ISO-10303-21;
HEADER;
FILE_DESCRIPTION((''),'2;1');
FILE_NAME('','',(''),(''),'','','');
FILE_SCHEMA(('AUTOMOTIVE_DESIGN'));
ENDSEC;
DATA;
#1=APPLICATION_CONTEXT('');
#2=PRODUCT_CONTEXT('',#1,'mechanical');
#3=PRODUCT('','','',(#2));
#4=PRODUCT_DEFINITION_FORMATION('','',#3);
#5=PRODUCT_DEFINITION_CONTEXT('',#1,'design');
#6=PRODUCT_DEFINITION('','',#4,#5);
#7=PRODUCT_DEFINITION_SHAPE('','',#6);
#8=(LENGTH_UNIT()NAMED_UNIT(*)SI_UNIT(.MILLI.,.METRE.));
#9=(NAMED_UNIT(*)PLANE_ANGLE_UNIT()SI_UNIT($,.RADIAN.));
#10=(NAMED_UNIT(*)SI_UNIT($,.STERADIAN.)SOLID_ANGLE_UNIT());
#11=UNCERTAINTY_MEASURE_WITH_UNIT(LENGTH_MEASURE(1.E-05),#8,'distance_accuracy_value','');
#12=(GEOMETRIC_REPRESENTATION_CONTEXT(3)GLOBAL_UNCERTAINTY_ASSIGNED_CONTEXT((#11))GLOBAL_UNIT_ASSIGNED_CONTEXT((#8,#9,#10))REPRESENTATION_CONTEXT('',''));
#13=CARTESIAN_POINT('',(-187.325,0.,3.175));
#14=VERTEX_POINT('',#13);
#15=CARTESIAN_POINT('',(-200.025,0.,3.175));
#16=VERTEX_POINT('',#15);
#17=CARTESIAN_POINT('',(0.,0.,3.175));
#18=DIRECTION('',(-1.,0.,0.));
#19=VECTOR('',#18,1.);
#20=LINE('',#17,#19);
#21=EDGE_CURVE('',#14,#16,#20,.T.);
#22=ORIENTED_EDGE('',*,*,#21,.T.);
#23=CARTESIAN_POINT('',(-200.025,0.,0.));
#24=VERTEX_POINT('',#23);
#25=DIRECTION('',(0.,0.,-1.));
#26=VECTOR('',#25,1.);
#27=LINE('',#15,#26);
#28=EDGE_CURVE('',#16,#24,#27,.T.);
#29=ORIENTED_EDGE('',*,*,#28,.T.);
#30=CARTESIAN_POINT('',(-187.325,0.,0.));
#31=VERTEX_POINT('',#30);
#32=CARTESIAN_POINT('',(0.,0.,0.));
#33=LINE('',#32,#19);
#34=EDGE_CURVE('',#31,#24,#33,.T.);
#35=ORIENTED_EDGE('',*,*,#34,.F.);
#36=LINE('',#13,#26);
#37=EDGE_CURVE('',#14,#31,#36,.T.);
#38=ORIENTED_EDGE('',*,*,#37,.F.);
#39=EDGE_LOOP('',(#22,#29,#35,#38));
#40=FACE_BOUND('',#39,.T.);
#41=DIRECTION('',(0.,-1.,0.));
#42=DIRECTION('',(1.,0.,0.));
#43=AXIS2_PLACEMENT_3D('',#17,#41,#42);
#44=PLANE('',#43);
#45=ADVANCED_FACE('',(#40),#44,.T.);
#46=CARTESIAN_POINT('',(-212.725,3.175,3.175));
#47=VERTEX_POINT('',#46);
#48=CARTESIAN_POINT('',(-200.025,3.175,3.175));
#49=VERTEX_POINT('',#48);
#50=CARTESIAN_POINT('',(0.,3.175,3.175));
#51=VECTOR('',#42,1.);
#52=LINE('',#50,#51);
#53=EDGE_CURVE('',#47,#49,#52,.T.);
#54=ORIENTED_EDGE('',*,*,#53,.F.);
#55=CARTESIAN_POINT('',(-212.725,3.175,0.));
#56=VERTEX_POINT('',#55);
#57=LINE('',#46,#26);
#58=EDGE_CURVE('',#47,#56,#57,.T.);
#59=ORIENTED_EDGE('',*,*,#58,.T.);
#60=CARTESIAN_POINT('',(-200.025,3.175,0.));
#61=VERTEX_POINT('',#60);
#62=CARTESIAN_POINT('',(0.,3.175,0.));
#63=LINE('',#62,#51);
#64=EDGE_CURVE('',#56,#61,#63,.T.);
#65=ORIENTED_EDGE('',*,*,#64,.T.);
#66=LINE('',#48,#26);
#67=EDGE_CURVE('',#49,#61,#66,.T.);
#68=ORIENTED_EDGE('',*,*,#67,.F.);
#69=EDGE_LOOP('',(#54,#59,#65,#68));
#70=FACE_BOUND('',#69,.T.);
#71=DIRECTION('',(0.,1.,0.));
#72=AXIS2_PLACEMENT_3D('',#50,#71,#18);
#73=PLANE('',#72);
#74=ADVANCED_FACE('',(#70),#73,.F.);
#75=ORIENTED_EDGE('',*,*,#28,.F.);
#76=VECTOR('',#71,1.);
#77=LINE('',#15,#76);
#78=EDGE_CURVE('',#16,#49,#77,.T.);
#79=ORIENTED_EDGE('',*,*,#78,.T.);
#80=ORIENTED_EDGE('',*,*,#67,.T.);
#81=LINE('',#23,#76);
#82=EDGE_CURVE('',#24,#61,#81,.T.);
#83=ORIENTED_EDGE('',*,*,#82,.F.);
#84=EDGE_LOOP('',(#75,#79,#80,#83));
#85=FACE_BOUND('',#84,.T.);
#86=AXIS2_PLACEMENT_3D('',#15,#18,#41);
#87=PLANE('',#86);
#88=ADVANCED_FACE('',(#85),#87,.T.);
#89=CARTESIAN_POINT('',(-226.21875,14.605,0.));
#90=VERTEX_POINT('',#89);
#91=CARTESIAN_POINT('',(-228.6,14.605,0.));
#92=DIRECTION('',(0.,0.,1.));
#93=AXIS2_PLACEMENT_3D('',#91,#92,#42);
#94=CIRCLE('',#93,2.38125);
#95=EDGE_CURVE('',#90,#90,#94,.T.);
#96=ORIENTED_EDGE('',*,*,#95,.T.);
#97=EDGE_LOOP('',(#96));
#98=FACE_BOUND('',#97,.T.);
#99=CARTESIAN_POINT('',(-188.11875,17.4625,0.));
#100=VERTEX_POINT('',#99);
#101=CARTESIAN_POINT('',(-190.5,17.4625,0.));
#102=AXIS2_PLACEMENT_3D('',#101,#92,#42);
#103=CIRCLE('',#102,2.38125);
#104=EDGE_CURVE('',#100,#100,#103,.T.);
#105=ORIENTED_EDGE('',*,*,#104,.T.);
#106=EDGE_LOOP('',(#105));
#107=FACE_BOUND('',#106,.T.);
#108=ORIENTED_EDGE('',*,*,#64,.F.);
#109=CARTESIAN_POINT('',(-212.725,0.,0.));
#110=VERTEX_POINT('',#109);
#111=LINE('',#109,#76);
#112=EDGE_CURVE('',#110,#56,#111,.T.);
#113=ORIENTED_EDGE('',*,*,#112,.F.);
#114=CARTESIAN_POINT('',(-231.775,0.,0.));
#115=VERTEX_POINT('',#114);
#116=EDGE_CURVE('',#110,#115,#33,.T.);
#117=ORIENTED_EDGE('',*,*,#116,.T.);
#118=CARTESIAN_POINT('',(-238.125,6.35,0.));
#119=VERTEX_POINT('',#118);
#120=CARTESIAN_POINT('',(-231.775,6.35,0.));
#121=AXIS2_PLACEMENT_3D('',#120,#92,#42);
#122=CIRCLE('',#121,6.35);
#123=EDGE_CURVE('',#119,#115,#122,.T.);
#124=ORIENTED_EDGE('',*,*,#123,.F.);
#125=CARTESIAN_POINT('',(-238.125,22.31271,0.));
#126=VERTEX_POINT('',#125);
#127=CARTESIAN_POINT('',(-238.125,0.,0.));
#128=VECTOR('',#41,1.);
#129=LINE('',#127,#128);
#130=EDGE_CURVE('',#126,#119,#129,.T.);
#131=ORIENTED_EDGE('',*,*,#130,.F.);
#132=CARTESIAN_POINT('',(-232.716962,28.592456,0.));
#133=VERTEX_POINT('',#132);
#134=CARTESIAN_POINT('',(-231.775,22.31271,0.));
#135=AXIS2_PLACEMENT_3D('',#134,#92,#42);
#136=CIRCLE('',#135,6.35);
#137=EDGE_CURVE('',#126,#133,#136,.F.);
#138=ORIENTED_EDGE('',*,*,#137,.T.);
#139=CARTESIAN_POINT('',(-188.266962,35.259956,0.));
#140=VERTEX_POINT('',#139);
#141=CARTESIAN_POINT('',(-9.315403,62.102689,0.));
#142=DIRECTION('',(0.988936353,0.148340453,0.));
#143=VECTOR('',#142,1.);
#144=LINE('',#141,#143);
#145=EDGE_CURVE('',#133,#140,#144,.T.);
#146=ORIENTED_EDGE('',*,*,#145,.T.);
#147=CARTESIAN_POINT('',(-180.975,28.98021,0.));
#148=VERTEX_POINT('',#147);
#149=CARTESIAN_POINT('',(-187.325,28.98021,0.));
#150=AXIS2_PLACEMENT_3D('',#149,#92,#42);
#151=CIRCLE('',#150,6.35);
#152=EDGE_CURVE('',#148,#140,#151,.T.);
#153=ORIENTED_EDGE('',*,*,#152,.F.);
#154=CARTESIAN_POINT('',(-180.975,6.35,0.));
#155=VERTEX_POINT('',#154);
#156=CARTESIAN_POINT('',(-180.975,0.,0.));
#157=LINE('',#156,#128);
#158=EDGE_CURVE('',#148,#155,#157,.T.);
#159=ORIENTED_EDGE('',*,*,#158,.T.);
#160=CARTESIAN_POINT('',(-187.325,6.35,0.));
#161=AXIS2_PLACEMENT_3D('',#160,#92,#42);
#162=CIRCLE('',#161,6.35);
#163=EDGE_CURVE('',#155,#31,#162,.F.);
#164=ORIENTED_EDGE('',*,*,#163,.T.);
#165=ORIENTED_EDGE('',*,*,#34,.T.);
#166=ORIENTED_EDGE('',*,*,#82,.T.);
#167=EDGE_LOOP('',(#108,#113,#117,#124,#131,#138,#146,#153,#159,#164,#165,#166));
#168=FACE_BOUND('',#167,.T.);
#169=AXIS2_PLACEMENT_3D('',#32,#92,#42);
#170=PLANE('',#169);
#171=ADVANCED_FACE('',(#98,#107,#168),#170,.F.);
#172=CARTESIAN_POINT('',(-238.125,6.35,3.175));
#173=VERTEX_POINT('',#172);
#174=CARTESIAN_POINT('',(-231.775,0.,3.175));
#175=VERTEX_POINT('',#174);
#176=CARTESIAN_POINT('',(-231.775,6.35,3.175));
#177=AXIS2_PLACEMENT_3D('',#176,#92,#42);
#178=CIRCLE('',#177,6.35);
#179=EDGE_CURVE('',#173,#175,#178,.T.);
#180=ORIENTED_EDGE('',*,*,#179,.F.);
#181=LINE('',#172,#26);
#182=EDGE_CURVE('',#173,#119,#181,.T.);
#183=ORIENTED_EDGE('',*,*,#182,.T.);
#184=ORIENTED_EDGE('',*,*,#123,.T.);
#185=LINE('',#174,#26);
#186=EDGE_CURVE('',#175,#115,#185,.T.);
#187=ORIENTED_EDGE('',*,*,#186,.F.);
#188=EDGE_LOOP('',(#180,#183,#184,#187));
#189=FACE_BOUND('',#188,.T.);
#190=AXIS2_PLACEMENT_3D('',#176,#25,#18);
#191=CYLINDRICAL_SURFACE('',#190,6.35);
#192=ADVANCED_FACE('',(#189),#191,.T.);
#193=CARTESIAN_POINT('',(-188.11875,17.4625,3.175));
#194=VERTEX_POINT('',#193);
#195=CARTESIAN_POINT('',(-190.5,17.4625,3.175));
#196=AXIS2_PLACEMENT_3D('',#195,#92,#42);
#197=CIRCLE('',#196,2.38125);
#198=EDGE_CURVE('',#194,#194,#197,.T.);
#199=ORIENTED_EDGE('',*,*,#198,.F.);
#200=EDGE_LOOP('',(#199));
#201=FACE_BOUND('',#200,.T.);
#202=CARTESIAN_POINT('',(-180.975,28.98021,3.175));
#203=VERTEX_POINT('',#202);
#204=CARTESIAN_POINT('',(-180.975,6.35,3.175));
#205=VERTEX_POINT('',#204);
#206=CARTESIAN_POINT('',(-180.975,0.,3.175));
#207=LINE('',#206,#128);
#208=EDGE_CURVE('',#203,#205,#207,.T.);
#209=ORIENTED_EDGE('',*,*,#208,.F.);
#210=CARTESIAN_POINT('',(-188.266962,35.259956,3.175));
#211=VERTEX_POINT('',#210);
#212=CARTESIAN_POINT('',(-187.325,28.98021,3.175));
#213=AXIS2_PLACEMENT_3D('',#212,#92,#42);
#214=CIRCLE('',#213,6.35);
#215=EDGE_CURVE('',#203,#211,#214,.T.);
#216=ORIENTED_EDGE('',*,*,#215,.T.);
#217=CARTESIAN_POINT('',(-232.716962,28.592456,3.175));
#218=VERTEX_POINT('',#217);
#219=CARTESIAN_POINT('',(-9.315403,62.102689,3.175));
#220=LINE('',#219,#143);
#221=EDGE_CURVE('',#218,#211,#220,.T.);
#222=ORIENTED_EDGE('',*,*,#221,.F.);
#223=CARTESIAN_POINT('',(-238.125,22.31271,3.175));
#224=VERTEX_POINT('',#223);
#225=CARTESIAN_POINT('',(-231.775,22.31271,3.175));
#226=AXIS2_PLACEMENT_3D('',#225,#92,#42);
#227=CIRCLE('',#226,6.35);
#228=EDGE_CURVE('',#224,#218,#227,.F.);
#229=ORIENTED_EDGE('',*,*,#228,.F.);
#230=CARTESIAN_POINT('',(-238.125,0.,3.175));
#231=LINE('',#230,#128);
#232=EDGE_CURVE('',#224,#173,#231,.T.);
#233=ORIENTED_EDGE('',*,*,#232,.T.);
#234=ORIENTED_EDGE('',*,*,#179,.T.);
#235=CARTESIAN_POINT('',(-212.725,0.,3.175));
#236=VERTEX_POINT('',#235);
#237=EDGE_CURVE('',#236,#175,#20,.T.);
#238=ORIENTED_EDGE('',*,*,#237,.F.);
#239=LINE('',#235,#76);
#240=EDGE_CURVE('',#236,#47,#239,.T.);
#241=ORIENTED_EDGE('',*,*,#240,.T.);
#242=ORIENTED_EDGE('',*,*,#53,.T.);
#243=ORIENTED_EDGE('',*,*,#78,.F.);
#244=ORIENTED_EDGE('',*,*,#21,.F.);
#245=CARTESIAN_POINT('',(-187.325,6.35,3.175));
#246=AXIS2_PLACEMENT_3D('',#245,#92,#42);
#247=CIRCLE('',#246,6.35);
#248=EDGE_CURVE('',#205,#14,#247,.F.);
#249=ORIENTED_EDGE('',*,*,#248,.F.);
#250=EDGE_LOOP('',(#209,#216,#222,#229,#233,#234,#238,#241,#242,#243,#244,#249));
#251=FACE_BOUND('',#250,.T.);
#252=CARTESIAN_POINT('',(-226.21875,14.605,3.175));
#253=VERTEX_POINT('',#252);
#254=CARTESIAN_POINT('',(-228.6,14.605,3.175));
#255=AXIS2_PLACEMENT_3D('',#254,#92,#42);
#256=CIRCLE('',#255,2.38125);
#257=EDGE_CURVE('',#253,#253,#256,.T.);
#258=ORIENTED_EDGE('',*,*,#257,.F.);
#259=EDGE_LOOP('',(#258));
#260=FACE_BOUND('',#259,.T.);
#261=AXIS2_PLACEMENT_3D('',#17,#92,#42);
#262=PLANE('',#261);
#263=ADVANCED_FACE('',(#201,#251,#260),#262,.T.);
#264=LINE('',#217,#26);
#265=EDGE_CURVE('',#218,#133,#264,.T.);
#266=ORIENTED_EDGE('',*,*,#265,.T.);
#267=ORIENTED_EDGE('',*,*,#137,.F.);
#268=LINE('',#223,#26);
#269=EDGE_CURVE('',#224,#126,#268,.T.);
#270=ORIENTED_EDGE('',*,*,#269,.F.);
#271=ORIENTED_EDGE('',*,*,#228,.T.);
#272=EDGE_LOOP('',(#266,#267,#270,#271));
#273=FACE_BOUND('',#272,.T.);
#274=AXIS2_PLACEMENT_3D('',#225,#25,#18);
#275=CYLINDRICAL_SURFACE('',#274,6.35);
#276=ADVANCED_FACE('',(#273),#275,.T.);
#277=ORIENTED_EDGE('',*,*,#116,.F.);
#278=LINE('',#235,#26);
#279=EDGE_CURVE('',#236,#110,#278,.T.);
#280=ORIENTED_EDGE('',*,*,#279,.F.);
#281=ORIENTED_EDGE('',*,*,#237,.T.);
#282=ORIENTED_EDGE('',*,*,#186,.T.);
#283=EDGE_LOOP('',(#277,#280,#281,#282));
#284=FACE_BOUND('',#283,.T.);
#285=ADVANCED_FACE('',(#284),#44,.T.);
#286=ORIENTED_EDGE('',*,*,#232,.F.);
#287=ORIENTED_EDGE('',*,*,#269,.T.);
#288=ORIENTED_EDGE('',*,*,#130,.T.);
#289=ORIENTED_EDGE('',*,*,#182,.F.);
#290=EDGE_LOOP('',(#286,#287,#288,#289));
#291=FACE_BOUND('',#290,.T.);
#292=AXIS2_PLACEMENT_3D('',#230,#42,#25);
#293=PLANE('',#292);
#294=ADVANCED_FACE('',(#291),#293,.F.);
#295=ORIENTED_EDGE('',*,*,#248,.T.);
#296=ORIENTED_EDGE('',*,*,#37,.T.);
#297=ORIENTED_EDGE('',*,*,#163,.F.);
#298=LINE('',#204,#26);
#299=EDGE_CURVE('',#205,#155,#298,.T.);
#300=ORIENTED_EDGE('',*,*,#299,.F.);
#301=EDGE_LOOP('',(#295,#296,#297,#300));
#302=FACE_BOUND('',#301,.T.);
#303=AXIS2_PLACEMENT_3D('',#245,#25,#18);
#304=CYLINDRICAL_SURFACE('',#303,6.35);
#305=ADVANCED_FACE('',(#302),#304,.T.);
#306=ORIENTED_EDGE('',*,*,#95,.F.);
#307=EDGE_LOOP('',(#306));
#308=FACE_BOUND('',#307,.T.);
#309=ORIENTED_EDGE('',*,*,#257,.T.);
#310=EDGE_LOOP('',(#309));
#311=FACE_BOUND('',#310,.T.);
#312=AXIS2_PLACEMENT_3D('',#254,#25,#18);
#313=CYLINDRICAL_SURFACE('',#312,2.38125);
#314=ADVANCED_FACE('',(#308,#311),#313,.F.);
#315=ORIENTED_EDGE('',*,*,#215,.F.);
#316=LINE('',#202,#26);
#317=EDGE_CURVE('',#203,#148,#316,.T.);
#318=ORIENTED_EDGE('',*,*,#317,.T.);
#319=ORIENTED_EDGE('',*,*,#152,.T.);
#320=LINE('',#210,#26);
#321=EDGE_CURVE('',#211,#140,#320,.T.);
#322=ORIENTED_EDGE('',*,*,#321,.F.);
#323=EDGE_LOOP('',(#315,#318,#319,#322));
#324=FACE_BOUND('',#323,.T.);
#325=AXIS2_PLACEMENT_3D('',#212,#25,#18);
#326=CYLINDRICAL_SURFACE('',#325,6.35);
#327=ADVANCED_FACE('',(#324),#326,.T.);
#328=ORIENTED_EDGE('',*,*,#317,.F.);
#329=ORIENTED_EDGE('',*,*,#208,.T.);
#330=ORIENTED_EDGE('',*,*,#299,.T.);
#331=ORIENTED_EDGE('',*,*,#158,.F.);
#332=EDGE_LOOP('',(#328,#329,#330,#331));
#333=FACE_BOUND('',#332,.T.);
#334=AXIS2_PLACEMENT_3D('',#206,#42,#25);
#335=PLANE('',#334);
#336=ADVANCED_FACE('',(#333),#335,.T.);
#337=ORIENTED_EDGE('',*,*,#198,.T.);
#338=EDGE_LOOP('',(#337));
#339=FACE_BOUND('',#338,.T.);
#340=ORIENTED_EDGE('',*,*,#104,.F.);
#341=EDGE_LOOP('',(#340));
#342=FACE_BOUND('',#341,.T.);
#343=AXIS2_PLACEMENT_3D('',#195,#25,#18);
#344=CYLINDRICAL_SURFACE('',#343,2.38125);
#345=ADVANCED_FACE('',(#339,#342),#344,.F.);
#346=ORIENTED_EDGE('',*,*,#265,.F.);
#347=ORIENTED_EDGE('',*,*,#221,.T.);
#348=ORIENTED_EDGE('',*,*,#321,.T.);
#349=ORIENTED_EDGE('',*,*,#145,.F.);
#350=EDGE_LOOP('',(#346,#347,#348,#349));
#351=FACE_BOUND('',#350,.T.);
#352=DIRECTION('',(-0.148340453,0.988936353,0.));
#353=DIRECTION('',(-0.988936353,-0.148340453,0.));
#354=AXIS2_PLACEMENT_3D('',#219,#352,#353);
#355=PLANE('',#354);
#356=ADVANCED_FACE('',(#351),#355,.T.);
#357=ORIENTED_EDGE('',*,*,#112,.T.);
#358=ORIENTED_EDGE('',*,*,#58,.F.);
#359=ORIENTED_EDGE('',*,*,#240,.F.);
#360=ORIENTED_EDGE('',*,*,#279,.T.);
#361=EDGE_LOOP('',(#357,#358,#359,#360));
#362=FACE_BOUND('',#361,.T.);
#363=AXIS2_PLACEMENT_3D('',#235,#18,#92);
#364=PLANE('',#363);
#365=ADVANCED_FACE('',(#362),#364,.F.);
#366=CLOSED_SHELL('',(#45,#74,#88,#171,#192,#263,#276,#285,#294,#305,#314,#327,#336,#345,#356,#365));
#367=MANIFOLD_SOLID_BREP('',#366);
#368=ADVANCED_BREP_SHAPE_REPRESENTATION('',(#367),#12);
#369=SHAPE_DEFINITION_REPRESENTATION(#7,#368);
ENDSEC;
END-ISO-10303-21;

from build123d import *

# Parameters (mm, degrees)
BOSS_EXTRUDE1_DEPTH = 3.175


with BuildPart() as part:
    # Sketch1 → Boss-Extrude1 (new body)
    with BuildSketch(Plane.XY):
        with BuildLine():
            Line((-231.775, 0), (-228.6, 0))
            Line((-228.6, 0), (-228.6, 12.22375))
            ThreePointArc((-228.6, 12.22375), (-230.98125, 14.605), (-228.6, 16.98625))
            Line((-228.6, 16.98625), (-228.6, 29.21))
            Line((-228.6, 29.21), (-232.716961876, 28.592455719))
            ThreePointArc((-232.716961876, 28.592455719), (-236.586650336, 26.456442621), (-238.125, 22.312709878))
            Line((-238.125, 22.312709878), (-238.125, 6.35))
            ThreePointArc((-238.125, 6.35), (-236.265128061, 1.859871939), (-231.775, 0))
        make_face()
        with BuildLine():
            Line((-228.6, 0), (-212.725, 0))
            Line((-212.725, 0), (-212.725, 3.175))
            Line((-212.725, 3.175), (-200.025, 3.175))
            Line((-200.025, 3.175), (-200.025, 0))
            Line((-200.025, 0), (-190.5, 0))
            Line((-190.5, 0), (-190.5, 15.08125))
            ThreePointArc((-190.5, 15.08125), (-192.88125, 17.4625), (-190.5, 19.84375))
            Line((-190.5, 19.84375), (-190.5, 34.925))
            Line((-190.5, 34.925), (-228.6, 29.21))
            Line((-228.6, 29.21), (-228.6, 16.98625))
            ThreePointArc((-228.6, 16.98625), (-226.916201977, 16.288798023), (-226.21875, 14.605))
            ThreePointArc((-226.21875, 14.605), (-226.916201977, 12.921201977), (-228.6, 12.22375))
            Line((-228.6, 12.22375), (-228.6, 0))
        make_face()
        with BuildLine():
            Line((-190.5, 15.08125), (-190.5, 0))
            Line((-190.5, 0), (-187.325, 0))
            ThreePointArc((-187.325, 0), (-182.834871939, 1.859871939), (-180.975, 6.35))
            Line((-180.975, 6.35), (-180.975, 28.980209878))
            ThreePointArc((-180.975, 28.980209878), (-183.181267257, 33.791860214), (-188.266961876, 35.259955719))
            Line((-188.266961876, 35.259955719), (-190.5, 34.925))
            Line((-190.5, 34.925), (-190.5, 19.84375))
            ThreePointArc((-190.5, 19.84375), (-188.816201977, 19.146298023), (-188.11875, 17.4625))
            ThreePointArc((-188.11875, 17.4625), (-188.816201977, 15.778701977), (-190.5, 15.08125))
        make_face()
    extrude(amount=BOSS_EXTRUDE1_DEPTH)


solid = part.part
